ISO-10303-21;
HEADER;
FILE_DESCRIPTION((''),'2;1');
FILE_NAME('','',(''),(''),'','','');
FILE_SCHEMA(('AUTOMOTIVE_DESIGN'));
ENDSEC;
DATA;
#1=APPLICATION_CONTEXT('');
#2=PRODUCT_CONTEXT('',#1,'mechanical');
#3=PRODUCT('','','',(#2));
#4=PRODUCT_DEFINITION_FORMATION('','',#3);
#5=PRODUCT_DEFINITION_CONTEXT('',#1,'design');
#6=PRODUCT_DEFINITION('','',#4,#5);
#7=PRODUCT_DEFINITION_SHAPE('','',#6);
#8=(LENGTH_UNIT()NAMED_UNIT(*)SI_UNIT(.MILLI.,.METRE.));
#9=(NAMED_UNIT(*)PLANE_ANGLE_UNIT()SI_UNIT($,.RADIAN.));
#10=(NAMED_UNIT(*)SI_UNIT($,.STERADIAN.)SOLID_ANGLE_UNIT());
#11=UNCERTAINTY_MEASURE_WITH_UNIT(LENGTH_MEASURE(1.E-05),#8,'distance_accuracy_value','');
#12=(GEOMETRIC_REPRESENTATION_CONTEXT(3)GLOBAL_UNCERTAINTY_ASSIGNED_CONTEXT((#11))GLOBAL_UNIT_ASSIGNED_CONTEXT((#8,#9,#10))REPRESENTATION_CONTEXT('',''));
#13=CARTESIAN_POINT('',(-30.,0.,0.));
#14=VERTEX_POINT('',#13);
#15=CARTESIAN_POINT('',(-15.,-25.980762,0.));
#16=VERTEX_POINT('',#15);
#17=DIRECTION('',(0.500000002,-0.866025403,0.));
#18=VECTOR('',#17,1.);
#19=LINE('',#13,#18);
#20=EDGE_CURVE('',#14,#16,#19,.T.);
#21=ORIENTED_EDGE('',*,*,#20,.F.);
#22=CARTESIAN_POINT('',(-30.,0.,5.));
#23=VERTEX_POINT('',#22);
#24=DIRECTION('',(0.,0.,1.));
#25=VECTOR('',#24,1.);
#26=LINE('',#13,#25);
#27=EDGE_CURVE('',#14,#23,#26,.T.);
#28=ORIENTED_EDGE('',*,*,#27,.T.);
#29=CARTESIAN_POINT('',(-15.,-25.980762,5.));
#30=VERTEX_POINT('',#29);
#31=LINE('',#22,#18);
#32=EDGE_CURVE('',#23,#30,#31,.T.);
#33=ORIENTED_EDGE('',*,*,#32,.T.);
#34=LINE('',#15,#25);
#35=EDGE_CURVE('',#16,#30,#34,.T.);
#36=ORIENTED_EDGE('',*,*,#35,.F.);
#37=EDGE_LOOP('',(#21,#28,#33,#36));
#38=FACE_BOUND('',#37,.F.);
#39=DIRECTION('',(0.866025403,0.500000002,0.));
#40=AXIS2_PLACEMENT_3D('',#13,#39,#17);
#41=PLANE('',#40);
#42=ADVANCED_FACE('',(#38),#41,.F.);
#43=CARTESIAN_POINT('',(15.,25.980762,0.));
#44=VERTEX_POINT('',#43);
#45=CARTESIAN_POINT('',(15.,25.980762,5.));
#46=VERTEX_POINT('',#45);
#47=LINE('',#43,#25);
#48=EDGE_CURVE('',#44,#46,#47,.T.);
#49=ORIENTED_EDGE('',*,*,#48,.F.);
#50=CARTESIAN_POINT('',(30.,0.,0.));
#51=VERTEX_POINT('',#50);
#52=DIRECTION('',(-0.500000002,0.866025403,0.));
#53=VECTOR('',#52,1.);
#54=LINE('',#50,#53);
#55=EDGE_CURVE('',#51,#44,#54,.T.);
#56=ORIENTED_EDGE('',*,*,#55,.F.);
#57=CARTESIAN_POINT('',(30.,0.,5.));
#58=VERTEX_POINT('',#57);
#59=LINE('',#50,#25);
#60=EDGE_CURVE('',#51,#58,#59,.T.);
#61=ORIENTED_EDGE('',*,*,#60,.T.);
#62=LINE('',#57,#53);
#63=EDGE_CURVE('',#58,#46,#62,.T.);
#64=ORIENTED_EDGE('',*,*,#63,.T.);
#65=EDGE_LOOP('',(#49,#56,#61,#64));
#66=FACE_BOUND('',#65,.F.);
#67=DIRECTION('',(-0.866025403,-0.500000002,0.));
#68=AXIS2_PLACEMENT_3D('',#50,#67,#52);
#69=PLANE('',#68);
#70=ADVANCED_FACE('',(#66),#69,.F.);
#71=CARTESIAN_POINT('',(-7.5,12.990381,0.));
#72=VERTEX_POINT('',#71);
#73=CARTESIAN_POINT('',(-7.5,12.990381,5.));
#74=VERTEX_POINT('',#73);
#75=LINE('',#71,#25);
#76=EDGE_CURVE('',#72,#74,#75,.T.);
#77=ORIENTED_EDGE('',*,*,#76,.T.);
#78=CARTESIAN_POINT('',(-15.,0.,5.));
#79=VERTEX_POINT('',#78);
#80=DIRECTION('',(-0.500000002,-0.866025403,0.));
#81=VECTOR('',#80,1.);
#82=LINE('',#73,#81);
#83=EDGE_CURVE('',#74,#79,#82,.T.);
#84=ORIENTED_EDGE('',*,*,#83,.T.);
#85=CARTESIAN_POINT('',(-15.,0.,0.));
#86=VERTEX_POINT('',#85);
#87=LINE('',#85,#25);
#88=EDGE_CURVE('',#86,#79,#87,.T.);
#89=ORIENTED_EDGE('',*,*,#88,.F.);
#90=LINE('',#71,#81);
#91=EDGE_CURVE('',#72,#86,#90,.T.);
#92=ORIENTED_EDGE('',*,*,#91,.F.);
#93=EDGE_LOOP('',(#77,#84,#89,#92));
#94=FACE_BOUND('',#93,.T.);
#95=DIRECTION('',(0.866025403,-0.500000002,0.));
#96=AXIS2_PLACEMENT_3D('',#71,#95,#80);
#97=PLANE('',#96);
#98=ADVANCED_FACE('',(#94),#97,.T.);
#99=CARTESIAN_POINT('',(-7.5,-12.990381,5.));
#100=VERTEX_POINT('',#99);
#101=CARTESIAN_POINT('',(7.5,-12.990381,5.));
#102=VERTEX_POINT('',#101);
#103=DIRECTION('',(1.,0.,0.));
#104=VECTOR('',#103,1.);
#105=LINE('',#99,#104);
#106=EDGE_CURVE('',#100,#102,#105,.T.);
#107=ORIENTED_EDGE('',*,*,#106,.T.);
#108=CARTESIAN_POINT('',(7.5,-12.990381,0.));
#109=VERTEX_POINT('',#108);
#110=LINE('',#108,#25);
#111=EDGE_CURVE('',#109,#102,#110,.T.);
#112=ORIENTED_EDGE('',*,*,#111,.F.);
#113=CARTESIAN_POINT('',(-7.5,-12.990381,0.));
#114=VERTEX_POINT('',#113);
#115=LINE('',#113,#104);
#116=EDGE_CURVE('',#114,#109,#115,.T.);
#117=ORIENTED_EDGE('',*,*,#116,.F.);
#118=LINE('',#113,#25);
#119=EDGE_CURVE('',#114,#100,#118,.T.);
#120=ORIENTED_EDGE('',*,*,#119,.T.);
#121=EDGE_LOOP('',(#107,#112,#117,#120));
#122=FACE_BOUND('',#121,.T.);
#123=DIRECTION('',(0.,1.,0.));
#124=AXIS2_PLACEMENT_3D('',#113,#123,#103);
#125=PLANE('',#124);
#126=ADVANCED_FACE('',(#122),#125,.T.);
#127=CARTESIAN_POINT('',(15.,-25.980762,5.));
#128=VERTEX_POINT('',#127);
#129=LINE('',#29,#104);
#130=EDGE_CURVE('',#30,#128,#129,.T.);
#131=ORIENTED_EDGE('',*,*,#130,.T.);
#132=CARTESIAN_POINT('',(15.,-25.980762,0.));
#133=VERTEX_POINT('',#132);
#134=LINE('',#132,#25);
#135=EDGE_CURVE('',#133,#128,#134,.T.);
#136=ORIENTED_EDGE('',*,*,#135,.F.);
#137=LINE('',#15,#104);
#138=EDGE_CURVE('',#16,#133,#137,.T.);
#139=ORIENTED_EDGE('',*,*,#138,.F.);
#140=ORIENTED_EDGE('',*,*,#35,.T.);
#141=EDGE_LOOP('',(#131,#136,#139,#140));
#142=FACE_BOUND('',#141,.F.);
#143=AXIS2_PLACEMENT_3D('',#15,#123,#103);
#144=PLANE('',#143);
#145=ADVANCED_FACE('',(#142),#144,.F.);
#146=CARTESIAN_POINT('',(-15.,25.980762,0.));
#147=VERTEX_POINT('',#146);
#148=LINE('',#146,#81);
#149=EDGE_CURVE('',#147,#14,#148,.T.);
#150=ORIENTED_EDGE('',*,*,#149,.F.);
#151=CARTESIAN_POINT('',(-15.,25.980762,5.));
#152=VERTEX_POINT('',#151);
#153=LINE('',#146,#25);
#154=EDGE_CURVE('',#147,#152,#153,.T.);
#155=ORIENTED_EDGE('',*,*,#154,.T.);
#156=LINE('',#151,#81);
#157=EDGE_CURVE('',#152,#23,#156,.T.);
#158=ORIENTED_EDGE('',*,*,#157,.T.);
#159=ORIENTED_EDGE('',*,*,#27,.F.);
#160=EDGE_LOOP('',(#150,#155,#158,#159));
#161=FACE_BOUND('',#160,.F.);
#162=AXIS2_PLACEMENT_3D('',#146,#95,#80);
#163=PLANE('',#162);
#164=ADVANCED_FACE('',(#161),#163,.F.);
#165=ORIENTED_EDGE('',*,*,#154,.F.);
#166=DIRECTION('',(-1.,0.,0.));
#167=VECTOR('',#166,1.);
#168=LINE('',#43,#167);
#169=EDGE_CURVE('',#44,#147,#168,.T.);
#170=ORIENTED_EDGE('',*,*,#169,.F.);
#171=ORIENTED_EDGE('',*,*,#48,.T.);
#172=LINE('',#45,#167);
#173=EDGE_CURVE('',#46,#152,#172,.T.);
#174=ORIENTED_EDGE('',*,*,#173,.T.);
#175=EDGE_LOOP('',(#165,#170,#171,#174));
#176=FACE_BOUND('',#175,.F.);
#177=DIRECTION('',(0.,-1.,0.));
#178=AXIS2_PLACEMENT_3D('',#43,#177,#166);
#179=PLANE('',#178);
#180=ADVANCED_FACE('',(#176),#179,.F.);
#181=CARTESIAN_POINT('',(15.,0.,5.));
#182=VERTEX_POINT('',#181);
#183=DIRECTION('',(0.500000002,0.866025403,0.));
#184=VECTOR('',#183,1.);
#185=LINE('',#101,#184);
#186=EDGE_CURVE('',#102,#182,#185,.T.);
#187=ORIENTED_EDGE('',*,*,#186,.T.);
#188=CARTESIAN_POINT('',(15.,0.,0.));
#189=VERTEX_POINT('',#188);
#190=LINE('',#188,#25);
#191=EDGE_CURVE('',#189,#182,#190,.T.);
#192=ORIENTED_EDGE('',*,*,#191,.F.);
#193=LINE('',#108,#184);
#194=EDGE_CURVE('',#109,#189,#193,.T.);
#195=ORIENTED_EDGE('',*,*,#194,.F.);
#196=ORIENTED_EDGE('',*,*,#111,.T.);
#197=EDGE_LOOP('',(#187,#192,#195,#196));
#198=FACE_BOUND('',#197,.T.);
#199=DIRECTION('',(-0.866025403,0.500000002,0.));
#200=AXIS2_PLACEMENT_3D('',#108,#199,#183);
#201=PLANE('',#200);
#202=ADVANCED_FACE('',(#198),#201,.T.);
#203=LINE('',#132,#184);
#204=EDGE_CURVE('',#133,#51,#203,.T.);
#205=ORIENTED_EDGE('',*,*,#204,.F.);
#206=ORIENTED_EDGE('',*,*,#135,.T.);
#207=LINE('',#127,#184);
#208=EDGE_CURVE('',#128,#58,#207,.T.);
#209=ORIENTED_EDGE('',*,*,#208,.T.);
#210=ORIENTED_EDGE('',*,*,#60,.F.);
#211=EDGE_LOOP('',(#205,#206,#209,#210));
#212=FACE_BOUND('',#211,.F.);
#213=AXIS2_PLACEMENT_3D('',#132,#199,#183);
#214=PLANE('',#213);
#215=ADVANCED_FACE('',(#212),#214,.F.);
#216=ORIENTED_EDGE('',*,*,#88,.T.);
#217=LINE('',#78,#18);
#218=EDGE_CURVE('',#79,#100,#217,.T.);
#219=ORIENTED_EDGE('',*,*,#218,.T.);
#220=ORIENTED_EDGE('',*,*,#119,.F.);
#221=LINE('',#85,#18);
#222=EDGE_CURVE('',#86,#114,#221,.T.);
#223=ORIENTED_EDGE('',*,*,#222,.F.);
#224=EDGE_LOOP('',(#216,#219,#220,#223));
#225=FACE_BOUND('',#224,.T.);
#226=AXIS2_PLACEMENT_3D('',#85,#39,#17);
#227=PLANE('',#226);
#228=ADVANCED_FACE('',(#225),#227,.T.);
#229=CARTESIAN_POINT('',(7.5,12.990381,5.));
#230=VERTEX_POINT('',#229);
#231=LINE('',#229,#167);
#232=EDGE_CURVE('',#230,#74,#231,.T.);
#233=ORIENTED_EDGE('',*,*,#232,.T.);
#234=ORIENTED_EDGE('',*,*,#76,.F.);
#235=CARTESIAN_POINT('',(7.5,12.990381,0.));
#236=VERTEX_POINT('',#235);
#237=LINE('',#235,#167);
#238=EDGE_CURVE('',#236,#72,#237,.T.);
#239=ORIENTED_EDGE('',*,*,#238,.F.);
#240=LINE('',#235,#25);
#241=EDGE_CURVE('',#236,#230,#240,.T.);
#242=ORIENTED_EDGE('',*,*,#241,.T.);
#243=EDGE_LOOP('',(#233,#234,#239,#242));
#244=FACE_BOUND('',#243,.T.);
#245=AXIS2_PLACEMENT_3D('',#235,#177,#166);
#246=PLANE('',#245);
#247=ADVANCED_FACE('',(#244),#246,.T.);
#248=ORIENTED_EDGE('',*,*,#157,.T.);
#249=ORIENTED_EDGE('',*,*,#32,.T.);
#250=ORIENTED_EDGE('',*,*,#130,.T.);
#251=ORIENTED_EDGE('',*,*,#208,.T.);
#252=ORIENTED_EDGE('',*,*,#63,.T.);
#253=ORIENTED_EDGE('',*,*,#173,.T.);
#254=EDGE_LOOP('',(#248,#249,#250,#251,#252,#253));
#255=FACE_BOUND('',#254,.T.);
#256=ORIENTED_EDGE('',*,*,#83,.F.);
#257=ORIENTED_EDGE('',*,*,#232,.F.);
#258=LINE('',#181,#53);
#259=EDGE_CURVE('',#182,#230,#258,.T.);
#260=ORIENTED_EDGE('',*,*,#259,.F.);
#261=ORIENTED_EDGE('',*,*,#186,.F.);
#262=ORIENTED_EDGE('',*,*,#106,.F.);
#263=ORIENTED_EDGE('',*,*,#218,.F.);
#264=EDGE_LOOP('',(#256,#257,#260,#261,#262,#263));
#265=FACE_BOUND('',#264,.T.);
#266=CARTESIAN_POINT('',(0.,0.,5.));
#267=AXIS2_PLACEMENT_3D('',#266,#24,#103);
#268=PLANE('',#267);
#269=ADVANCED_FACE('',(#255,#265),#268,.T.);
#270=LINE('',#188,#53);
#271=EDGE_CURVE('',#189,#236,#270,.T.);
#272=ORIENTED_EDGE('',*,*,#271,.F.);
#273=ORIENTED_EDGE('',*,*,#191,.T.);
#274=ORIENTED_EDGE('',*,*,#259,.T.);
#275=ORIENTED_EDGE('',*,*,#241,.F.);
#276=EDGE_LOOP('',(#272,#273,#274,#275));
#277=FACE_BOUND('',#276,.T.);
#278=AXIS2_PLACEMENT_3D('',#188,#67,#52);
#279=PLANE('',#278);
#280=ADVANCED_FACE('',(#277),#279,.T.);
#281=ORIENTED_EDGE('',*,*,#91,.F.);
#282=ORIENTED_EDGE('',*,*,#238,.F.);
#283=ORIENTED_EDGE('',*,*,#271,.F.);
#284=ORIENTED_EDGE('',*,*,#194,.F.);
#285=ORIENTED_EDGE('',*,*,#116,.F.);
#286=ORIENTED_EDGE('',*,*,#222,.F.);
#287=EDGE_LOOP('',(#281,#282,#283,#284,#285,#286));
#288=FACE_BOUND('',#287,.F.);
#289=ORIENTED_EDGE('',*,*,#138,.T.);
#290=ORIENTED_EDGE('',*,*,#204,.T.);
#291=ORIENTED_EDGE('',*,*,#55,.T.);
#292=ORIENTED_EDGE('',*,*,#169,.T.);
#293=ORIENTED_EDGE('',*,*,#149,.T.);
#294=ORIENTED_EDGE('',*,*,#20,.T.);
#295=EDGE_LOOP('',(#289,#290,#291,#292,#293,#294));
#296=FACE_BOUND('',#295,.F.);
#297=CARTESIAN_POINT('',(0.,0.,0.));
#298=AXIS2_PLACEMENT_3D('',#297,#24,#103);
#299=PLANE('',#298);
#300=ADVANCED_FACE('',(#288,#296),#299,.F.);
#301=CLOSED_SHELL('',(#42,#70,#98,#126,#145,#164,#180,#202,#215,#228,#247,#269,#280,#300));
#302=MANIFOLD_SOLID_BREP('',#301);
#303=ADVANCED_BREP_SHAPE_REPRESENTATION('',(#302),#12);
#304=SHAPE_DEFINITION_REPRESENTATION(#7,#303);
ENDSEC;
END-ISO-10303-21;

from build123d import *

# Parameters (mm, degrees)
EXTRUDE_DEPTH = 5


with BuildPart() as part:
    # Sketch → Extrude (new body)
    with BuildSketch(Plane.XY):
        Polygon((30, 0), (15, 25.980762), (-15, 25.980762), (-30, 0), (-15, -25.980762), (15, -25.980762), align=None)
        Polygon((15, 0), (7.5, 12.990381), (-7.5, 12.990381), (-15, 0), (-7.5, -12.990381), (7.5, -12.990381), align=None, mode=Mode.SUBTRACT)
    extrude(amount=EXTRUDE_DEPTH)


solid = part.part
